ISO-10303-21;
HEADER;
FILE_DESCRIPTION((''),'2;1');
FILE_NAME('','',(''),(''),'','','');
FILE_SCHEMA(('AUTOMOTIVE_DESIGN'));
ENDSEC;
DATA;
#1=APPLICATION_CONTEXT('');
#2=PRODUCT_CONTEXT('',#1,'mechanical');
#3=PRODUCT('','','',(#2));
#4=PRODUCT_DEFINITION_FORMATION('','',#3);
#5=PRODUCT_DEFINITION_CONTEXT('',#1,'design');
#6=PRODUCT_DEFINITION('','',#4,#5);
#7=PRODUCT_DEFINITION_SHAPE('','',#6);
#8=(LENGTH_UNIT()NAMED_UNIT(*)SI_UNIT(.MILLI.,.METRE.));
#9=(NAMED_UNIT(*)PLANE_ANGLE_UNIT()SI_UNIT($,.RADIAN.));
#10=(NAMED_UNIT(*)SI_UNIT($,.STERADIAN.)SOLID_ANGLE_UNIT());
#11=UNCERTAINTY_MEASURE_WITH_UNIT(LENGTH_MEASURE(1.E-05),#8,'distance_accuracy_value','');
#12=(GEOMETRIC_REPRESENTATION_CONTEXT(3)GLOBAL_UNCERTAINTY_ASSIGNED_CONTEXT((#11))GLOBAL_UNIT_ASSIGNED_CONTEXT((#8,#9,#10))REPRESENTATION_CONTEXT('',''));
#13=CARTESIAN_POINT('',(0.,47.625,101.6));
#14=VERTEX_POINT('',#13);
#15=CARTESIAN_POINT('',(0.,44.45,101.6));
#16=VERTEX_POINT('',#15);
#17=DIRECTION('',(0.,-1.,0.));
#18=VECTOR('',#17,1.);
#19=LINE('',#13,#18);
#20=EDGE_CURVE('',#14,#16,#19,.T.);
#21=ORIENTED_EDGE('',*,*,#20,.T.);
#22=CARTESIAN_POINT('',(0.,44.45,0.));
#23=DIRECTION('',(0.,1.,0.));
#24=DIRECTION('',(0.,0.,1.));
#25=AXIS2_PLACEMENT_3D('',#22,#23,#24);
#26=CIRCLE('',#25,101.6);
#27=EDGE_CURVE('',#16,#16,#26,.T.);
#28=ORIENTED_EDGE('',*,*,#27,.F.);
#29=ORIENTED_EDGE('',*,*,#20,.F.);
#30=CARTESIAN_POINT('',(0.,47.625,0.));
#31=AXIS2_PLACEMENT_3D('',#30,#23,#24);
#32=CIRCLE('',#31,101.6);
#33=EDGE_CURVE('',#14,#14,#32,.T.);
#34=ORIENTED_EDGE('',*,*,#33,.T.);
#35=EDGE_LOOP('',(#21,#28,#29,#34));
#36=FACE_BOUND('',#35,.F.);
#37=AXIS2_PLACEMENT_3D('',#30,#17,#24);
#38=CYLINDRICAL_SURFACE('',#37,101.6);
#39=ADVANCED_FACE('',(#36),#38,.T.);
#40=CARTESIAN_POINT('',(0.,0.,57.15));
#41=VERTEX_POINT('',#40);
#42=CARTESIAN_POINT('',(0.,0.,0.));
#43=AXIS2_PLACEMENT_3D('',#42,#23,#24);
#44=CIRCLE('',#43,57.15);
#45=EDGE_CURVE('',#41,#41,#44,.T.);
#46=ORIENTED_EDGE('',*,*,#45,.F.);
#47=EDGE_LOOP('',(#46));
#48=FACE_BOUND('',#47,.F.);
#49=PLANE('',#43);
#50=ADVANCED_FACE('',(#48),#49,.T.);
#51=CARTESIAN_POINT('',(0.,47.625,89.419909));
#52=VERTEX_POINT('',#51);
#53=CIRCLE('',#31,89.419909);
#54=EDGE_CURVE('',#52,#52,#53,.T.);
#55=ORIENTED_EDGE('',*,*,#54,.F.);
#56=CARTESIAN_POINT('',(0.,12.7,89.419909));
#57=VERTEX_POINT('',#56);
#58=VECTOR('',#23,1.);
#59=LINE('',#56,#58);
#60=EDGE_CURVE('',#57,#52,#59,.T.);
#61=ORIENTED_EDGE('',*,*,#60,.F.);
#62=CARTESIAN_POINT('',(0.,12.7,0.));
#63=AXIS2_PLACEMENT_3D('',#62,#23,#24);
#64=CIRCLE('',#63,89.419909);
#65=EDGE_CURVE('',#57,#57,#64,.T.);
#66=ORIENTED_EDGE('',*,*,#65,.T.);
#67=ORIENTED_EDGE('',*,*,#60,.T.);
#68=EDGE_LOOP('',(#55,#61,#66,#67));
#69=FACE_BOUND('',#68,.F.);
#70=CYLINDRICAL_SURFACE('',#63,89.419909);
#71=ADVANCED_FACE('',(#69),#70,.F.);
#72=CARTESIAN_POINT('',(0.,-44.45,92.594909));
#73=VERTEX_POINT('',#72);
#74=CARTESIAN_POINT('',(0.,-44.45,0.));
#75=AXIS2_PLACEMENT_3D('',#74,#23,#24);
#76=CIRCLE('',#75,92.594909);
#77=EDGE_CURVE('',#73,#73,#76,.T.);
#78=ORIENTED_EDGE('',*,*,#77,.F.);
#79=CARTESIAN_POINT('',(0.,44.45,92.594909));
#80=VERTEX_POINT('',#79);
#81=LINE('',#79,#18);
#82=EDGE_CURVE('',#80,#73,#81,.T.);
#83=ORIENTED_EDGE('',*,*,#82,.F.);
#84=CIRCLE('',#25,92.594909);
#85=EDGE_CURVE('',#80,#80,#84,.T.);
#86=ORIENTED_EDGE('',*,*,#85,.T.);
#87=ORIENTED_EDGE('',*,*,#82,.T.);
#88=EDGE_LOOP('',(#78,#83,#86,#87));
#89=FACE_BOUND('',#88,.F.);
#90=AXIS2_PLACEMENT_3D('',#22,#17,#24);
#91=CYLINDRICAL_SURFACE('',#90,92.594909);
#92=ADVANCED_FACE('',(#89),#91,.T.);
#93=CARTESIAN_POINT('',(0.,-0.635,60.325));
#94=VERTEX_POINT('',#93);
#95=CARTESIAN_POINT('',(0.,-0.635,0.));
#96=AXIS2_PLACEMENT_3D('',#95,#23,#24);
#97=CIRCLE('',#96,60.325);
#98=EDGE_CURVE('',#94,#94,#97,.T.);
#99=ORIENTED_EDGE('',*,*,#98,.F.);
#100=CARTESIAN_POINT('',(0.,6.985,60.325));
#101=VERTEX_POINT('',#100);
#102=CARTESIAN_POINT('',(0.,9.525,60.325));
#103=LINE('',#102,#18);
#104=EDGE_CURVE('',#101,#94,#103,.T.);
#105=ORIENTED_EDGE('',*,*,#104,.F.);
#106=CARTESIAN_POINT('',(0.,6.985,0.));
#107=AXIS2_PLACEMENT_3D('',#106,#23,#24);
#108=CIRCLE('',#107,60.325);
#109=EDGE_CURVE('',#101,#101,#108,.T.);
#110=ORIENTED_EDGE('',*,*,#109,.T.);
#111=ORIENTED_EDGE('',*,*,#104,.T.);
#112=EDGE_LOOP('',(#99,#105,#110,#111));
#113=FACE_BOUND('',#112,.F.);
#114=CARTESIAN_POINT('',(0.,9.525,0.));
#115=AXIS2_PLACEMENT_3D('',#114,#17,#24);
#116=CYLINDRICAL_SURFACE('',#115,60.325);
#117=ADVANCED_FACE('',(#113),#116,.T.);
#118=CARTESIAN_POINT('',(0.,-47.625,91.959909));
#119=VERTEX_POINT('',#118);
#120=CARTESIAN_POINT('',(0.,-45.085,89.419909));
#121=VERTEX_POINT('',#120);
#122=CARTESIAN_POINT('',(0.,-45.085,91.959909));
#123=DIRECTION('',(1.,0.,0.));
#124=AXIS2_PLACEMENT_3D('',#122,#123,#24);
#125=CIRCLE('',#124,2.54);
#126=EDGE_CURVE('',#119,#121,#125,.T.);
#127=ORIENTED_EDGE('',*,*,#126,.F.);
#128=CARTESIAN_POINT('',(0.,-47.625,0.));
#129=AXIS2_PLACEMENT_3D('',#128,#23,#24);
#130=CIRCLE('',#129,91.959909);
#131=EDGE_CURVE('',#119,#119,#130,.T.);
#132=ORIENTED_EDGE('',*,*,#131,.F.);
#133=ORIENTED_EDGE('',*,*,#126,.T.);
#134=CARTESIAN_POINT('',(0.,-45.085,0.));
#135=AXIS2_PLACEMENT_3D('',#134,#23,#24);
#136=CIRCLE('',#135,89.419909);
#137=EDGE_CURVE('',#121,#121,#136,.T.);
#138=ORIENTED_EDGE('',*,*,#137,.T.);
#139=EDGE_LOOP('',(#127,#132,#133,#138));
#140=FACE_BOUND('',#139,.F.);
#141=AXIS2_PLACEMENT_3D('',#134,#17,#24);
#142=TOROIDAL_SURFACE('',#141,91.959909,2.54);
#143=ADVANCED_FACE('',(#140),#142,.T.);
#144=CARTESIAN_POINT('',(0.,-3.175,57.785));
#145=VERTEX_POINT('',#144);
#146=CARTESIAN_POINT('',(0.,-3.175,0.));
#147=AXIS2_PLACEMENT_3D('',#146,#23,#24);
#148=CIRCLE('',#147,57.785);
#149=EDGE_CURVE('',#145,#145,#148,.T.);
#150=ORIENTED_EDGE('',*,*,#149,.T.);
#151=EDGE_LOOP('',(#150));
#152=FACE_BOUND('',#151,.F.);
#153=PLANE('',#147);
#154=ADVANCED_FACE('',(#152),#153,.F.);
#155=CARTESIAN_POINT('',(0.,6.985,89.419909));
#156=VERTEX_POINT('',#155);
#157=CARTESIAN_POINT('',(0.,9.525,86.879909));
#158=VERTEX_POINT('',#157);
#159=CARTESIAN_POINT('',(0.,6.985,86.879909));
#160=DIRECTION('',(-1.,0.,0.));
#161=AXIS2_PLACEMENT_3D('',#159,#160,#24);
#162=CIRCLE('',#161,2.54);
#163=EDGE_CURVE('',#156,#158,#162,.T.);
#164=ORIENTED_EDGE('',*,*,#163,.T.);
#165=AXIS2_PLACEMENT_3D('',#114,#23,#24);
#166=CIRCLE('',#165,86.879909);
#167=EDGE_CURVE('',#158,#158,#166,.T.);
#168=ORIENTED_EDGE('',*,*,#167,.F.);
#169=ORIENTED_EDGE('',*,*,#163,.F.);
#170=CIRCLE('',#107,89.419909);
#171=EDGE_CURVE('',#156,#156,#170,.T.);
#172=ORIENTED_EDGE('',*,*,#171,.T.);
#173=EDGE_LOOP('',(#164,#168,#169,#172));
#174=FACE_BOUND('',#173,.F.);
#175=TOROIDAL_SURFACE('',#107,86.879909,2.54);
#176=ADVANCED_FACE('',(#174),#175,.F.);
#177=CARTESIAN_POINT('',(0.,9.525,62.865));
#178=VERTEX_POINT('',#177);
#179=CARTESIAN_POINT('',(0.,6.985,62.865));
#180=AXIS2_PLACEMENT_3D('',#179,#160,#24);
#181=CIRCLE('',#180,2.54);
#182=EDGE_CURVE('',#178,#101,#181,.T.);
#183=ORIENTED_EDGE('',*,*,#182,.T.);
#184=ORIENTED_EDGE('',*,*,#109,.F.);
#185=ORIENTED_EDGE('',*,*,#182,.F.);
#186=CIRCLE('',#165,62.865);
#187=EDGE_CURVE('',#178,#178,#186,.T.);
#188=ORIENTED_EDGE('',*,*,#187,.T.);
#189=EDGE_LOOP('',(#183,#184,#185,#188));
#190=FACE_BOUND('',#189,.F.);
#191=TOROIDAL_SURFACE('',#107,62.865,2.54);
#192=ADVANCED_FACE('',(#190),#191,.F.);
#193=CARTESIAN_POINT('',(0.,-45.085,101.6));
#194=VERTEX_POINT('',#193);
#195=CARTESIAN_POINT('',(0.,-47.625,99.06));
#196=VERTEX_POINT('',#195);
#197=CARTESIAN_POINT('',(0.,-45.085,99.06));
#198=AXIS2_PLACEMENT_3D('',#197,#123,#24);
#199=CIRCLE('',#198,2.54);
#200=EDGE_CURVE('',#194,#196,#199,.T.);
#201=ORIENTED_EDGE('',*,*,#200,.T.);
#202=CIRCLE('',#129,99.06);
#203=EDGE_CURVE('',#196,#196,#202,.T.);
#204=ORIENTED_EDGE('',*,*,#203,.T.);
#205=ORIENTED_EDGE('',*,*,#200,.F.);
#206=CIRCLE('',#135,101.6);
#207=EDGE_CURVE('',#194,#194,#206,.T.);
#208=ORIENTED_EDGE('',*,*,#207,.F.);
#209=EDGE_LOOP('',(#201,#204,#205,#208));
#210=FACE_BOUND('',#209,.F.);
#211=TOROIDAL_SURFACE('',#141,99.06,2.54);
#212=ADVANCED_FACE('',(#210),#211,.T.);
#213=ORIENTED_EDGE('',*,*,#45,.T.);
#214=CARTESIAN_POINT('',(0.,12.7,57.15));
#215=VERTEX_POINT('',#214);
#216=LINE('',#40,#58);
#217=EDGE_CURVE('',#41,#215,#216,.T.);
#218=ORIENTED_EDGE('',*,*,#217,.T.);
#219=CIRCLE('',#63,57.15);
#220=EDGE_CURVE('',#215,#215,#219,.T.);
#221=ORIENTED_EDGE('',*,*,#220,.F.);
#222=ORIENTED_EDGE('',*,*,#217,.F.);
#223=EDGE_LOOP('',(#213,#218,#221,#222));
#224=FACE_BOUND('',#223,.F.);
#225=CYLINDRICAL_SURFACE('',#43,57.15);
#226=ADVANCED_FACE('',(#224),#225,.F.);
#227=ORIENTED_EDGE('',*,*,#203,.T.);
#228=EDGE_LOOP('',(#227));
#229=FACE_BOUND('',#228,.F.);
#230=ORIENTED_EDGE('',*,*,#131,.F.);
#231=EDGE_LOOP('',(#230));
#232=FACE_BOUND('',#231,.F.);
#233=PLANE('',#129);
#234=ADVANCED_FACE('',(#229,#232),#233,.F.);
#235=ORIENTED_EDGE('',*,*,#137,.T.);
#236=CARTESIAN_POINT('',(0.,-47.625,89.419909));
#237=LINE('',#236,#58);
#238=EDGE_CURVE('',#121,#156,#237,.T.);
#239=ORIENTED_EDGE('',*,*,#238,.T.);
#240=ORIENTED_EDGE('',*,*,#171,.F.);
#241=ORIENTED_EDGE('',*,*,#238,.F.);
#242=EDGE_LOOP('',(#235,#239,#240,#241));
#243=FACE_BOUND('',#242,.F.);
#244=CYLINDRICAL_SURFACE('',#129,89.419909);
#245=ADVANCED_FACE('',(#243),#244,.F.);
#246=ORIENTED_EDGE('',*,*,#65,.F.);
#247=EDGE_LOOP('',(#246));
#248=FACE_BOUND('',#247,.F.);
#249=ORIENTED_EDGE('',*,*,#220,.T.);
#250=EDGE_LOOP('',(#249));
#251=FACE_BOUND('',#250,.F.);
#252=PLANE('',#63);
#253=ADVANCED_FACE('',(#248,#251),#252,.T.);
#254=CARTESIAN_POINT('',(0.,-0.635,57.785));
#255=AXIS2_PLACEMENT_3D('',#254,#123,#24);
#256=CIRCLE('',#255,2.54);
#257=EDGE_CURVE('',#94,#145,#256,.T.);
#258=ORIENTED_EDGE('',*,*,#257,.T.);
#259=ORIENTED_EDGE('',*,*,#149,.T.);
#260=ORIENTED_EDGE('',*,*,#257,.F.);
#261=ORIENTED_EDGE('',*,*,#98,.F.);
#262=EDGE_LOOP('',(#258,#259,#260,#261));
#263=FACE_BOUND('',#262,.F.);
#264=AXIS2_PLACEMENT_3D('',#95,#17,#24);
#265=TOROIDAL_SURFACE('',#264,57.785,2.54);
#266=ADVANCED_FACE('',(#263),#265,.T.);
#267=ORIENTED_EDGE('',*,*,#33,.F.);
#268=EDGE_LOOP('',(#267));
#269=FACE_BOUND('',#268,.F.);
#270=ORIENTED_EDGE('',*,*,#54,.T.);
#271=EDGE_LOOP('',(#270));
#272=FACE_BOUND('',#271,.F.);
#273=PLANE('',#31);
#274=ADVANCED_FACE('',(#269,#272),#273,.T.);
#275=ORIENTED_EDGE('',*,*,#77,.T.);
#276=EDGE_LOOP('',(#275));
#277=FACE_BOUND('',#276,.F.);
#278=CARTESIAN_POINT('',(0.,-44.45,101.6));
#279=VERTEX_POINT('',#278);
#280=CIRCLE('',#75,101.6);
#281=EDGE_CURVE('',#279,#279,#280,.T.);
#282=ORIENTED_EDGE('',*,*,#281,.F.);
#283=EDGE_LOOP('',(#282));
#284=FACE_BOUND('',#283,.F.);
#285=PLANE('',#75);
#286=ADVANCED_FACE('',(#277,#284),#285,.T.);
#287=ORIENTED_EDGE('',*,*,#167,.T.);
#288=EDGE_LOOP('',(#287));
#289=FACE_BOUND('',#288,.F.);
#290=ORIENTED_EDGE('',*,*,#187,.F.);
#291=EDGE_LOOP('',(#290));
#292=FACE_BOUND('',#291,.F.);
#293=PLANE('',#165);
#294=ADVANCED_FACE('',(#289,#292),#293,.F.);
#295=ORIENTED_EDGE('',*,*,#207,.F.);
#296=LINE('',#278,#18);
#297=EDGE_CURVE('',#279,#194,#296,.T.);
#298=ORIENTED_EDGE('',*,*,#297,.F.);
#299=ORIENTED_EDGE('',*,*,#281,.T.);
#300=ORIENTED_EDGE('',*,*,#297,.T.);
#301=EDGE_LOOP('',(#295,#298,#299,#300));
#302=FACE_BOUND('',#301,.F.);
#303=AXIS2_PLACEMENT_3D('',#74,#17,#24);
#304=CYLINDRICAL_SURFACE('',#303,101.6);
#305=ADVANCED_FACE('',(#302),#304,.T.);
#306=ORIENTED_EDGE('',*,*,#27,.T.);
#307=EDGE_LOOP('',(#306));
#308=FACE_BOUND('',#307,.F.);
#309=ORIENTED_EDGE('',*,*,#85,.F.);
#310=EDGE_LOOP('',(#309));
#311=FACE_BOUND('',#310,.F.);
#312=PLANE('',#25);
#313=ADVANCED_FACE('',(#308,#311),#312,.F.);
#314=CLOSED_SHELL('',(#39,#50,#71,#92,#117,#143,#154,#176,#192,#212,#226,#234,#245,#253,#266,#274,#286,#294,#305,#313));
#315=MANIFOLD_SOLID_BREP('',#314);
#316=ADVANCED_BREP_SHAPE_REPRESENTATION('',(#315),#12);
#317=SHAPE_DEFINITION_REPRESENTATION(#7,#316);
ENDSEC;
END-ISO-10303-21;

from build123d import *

# Parameters (mm, degrees)
F2_R = 2.54


with BuildPart() as f1:
    # F0 (on Right) → F1 (revolve)
    with BuildSketch(Plane.YZ):
        Polygon((-3.175, 0), (0, 0), (0, 57.15), (12.7, 57.15), (12.7, 89.419909), (47.625, 89.419909), (47.625, 101.6), (44.45, 101.6), (44.45, 92.594909), (-44.45, 92.594909), (-44.45, 101.6), (-47.625, 101.6), (-47.625, 89.419909), (9.525, 89.419909), (9.525, 60.325), (-3.175, 60.325), align=None)
    revolve(axis=Axis((0, -1.5875, 0), (0, 1, 0)))

    # F2
    f2_edges = [f1.edges().sort_by_distance(p)[0] for p in [
        (0, -47.625, -101.6),
        (0, -47.625, -89.419909),
        (0, 9.525, -89.419909),
        (0, 9.525, -60.325),
        (0, -3.175, -60.325),
    ]]
    fillet(f2_edges, radius=F2_R)


solid = f1.part
